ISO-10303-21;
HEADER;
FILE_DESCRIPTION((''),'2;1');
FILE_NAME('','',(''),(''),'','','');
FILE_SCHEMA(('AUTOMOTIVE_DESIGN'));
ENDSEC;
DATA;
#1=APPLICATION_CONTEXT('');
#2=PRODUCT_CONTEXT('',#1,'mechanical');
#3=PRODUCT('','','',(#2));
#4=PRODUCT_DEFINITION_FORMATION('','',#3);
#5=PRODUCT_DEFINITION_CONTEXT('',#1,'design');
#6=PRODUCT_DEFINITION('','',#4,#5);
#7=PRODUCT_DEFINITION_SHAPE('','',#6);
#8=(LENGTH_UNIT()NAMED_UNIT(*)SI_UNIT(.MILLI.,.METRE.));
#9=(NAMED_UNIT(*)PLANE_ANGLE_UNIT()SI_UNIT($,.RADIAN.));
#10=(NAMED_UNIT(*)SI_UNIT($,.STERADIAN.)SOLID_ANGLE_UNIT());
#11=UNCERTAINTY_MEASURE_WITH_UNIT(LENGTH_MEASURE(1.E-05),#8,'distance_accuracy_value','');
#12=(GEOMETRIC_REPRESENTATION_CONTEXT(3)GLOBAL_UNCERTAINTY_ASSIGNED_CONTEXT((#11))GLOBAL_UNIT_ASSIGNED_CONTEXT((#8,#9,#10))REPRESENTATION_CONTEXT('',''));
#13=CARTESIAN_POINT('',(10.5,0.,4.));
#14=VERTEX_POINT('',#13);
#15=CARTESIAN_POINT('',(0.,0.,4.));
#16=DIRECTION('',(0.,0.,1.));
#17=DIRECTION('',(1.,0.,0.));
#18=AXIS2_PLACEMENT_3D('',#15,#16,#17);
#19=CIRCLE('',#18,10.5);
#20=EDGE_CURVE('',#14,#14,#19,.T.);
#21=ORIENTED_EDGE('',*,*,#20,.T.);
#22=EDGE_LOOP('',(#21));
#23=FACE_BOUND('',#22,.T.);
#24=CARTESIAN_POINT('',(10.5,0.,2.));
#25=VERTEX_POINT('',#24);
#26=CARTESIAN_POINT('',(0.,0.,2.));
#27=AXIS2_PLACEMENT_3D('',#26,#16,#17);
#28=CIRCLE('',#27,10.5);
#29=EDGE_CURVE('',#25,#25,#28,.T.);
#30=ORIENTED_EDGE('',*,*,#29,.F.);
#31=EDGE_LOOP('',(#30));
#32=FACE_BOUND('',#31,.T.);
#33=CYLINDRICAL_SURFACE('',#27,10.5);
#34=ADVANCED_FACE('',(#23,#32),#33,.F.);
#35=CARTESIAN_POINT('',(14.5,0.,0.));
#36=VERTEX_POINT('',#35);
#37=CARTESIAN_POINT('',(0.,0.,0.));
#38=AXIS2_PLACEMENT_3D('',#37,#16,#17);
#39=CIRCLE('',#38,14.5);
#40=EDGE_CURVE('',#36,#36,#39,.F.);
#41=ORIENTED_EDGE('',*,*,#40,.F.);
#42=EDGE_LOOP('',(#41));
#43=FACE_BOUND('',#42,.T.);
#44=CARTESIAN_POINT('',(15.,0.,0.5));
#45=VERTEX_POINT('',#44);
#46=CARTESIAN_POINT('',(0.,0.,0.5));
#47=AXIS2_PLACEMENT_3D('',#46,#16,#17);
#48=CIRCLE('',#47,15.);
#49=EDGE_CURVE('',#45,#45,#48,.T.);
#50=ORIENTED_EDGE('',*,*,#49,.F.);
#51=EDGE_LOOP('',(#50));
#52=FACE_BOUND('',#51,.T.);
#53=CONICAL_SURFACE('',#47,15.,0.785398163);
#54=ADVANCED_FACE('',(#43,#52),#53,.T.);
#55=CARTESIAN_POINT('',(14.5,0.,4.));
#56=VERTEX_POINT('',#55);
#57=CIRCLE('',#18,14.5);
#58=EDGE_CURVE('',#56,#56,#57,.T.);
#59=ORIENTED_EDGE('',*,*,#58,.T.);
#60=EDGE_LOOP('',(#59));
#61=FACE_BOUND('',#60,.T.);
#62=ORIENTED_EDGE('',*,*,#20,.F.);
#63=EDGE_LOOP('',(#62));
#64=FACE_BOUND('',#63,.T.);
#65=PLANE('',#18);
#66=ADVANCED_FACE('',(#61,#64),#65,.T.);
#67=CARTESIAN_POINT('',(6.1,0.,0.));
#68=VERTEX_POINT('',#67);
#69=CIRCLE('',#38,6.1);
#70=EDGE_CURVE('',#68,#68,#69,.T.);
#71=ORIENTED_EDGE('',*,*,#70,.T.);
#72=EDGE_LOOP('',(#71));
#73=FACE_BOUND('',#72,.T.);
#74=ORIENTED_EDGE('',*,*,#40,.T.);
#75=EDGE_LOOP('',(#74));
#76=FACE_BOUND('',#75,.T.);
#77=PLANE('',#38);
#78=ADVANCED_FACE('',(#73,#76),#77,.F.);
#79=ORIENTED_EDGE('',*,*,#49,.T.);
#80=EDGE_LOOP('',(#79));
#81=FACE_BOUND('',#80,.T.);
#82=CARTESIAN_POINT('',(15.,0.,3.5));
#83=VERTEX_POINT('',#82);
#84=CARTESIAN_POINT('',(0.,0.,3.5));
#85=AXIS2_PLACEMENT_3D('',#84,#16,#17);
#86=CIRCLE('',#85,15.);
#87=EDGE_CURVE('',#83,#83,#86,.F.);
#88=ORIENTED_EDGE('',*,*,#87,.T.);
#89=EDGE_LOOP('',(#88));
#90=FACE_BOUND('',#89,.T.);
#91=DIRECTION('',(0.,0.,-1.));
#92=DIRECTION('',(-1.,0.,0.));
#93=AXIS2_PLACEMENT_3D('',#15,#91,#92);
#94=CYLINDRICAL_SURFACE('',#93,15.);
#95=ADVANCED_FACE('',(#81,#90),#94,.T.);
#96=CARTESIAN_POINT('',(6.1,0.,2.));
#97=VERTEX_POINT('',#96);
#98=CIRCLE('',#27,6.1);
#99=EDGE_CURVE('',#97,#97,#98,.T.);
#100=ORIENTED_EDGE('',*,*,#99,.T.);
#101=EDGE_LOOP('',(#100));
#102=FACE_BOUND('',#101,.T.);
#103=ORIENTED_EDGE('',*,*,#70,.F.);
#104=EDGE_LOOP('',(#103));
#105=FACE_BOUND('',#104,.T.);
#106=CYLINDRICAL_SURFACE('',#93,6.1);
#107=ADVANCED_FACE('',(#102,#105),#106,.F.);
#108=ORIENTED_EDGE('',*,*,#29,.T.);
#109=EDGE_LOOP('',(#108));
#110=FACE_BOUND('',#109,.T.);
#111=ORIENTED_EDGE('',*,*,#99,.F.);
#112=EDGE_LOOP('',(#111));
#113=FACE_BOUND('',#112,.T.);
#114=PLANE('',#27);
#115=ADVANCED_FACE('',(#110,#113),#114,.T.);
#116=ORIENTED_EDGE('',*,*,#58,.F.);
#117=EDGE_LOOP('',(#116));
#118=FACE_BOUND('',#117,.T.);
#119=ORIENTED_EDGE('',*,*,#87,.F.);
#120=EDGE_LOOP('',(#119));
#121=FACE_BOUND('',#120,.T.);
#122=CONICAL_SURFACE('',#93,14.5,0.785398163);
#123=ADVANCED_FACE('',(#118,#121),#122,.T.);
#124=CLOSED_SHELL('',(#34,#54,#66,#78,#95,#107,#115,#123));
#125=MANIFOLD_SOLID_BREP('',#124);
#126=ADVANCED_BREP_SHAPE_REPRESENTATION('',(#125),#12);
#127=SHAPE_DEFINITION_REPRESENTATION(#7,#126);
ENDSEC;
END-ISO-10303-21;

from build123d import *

# Parameters (mm, degrees)
ESQUISSE1_R             = 15
ESQUISSE1_R_2           = 6.1
BOSS_EXTRU_1_DEPTH      = 4
ESQUISSE2_R             = 10.5
ENL_V_MAT_EXTRU_1_DEPTH = 2
CHANFREIN1_SIZE         = 0.5


with BuildPart() as part:
    # Esquisse1 → Boss.-Extru.1 (new body)
    with BuildSketch(Plane.XY):
        Circle(ESQUISSE1_R)
        Circle(ESQUISSE1_R_2, mode=Mode.SUBTRACT)
    extrude(amount=BOSS_EXTRU_1_DEPTH)

    # Esquisse2 → Enlèv. mat.-Extru.1 (cut)
    with BuildSketch(Plane.XY.offset(4)):
        Circle(ESQUISSE2_R)
    extrude(amount=-ENL_V_MAT_EXTRU_1_DEPTH, mode=Mode.SUBTRACT)

    # Chanfrein1
    chanfrein1_edges = [part.edges().sort_by_distance(p)[0] for p in [
        (-15, 0, 0),
        (-15, 0, 4),
    ]]
    chamfer(chanfrein1_edges, length=CHANFREIN1_SIZE)


solid = part.part
